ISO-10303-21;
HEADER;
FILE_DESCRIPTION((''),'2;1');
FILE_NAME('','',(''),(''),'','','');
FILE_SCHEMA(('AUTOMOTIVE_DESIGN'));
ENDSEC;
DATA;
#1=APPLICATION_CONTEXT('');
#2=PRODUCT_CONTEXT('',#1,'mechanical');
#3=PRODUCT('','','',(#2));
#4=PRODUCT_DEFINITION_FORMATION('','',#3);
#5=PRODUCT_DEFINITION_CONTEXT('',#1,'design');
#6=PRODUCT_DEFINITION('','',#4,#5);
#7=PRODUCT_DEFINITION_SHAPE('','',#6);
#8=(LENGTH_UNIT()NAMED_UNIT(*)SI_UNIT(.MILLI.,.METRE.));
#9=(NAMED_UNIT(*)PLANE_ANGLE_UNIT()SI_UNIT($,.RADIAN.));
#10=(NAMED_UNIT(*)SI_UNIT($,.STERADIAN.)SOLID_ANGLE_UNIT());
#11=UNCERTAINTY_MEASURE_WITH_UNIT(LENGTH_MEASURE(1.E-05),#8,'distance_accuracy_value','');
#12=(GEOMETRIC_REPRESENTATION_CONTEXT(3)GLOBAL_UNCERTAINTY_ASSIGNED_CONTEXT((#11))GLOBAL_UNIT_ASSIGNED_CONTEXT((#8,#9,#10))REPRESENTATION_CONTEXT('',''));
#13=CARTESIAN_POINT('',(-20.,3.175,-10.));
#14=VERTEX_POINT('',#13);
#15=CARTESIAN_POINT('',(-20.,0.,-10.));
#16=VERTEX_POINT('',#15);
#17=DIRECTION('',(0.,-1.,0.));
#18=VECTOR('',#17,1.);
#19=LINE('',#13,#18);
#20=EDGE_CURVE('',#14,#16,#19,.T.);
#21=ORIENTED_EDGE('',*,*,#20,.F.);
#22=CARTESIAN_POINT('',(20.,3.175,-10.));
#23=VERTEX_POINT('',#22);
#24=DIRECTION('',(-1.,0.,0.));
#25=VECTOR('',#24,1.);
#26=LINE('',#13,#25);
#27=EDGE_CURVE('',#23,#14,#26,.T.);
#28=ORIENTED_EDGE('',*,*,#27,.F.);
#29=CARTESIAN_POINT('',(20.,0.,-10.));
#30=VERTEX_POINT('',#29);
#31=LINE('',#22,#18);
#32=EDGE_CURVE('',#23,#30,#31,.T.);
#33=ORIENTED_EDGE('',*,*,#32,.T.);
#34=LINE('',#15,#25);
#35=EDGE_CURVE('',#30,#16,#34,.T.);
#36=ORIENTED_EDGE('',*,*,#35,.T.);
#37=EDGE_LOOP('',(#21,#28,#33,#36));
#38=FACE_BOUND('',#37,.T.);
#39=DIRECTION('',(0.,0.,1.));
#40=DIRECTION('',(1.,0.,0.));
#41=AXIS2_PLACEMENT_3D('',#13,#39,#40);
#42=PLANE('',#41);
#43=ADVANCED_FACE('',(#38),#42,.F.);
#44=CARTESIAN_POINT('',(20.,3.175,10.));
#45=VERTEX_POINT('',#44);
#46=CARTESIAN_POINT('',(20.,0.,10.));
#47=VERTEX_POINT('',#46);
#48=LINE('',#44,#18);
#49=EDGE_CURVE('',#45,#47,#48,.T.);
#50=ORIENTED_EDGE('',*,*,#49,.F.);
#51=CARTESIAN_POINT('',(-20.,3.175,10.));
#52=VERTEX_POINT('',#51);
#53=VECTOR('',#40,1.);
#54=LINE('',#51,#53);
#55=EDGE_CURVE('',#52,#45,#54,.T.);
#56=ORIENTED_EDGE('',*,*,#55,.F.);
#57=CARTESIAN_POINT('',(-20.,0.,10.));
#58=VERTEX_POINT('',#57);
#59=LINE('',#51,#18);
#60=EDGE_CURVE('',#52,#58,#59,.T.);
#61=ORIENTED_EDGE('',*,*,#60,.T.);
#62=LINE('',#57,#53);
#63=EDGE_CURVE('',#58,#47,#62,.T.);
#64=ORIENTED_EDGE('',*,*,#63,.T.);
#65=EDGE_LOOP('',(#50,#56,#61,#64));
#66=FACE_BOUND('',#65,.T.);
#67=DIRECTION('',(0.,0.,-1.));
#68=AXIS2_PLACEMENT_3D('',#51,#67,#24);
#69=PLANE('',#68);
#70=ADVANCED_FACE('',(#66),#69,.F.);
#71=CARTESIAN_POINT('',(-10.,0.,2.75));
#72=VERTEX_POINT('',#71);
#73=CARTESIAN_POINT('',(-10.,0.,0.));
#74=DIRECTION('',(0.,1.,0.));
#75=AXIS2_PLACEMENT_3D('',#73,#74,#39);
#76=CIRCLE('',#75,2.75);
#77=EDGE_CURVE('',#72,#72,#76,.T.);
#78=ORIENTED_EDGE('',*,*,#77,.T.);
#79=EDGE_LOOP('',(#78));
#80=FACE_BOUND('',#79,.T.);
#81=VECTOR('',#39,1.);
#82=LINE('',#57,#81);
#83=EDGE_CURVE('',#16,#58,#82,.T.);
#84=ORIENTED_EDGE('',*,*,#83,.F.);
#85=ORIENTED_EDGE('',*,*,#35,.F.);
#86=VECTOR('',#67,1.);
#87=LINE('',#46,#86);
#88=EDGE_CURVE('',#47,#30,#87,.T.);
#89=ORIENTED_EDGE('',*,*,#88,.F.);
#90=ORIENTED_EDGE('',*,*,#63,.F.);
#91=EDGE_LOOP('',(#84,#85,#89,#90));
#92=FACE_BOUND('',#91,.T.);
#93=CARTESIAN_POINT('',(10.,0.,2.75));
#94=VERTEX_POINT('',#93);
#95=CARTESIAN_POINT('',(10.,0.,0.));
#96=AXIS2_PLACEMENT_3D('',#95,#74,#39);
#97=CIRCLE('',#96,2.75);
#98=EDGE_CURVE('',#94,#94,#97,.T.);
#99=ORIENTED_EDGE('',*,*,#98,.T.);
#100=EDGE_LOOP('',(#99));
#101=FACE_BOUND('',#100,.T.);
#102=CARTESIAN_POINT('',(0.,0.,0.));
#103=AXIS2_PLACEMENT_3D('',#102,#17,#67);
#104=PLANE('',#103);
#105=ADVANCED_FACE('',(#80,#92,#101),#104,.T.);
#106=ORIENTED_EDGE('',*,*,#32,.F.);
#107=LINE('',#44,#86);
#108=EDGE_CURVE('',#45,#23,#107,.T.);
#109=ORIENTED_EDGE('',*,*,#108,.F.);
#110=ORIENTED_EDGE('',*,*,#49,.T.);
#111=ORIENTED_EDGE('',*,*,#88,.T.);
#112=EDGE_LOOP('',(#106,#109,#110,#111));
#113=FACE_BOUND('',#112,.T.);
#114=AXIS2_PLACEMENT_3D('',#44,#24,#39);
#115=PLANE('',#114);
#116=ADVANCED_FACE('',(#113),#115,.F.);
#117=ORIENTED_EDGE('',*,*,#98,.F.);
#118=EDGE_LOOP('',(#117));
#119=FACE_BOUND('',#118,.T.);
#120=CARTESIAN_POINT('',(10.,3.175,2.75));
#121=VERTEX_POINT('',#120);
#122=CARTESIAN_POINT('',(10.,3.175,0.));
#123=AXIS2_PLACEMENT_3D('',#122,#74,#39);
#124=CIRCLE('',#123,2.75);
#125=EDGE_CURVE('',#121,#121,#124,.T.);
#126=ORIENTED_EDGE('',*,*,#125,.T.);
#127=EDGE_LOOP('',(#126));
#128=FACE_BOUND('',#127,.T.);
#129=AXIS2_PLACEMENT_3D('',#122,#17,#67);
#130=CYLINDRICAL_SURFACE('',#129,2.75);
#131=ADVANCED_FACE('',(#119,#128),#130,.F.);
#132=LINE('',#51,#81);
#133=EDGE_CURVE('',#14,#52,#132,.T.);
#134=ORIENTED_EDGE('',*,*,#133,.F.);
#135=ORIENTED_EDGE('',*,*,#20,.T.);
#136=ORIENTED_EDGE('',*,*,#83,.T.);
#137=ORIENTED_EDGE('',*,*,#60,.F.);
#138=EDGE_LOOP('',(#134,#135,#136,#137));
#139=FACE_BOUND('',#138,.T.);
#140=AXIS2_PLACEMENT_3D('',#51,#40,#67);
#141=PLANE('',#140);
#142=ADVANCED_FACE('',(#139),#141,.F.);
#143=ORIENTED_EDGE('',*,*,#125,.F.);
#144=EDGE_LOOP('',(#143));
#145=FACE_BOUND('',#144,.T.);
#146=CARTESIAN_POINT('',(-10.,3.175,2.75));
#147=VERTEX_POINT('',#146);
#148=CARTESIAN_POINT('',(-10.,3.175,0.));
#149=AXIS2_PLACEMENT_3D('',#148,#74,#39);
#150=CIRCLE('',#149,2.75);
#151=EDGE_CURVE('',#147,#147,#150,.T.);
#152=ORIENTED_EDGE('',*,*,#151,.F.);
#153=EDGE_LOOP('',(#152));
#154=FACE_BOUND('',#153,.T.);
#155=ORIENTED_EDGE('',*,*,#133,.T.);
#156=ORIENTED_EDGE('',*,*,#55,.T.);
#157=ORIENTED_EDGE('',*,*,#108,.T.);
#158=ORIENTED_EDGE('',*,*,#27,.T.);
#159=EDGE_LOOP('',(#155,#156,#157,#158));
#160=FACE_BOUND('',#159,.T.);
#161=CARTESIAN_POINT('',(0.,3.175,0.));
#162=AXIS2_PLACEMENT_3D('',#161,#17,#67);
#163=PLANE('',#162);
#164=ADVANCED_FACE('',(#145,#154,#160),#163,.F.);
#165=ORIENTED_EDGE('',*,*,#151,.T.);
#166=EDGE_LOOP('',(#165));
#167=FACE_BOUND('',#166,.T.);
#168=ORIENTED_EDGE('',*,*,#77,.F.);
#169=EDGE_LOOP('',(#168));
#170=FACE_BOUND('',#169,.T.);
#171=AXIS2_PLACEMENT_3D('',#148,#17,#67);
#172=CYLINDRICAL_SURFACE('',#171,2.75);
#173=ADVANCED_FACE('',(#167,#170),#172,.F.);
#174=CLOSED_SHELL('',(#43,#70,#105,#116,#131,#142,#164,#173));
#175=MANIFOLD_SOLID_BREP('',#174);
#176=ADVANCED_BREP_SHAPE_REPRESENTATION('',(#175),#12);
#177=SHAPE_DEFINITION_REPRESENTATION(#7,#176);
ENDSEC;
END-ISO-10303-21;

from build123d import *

# Parameters (mm, degrees)
SKETCH1_W           = 40
SKETCH1_H           = 20
SKETCH1_R           = 2.75
BOSS_EXTRUDE1_DEPTH = 3.175


with BuildPart() as part:
    # Sketch1 → Boss-Extrude1 (new body)
    with BuildSketch(Plane(origin=(0, 0, 0), x_dir=(1, 0, 0), z_dir=(0, 1, 0))):
        Rectangle(SKETCH1_W, SKETCH1_H)
        with Locations(Location((-10, 0, 0), (0, 0, 270))):
            Circle(SKETCH1_R, mode=Mode.SUBTRACT)
        with Locations(Location((10, 0, 0), (0, 0, 270))):
            Circle(SKETCH1_R, mode=Mode.SUBTRACT)
    extrude(amount=BOSS_EXTRUDE1_DEPTH)


solid = part.part
